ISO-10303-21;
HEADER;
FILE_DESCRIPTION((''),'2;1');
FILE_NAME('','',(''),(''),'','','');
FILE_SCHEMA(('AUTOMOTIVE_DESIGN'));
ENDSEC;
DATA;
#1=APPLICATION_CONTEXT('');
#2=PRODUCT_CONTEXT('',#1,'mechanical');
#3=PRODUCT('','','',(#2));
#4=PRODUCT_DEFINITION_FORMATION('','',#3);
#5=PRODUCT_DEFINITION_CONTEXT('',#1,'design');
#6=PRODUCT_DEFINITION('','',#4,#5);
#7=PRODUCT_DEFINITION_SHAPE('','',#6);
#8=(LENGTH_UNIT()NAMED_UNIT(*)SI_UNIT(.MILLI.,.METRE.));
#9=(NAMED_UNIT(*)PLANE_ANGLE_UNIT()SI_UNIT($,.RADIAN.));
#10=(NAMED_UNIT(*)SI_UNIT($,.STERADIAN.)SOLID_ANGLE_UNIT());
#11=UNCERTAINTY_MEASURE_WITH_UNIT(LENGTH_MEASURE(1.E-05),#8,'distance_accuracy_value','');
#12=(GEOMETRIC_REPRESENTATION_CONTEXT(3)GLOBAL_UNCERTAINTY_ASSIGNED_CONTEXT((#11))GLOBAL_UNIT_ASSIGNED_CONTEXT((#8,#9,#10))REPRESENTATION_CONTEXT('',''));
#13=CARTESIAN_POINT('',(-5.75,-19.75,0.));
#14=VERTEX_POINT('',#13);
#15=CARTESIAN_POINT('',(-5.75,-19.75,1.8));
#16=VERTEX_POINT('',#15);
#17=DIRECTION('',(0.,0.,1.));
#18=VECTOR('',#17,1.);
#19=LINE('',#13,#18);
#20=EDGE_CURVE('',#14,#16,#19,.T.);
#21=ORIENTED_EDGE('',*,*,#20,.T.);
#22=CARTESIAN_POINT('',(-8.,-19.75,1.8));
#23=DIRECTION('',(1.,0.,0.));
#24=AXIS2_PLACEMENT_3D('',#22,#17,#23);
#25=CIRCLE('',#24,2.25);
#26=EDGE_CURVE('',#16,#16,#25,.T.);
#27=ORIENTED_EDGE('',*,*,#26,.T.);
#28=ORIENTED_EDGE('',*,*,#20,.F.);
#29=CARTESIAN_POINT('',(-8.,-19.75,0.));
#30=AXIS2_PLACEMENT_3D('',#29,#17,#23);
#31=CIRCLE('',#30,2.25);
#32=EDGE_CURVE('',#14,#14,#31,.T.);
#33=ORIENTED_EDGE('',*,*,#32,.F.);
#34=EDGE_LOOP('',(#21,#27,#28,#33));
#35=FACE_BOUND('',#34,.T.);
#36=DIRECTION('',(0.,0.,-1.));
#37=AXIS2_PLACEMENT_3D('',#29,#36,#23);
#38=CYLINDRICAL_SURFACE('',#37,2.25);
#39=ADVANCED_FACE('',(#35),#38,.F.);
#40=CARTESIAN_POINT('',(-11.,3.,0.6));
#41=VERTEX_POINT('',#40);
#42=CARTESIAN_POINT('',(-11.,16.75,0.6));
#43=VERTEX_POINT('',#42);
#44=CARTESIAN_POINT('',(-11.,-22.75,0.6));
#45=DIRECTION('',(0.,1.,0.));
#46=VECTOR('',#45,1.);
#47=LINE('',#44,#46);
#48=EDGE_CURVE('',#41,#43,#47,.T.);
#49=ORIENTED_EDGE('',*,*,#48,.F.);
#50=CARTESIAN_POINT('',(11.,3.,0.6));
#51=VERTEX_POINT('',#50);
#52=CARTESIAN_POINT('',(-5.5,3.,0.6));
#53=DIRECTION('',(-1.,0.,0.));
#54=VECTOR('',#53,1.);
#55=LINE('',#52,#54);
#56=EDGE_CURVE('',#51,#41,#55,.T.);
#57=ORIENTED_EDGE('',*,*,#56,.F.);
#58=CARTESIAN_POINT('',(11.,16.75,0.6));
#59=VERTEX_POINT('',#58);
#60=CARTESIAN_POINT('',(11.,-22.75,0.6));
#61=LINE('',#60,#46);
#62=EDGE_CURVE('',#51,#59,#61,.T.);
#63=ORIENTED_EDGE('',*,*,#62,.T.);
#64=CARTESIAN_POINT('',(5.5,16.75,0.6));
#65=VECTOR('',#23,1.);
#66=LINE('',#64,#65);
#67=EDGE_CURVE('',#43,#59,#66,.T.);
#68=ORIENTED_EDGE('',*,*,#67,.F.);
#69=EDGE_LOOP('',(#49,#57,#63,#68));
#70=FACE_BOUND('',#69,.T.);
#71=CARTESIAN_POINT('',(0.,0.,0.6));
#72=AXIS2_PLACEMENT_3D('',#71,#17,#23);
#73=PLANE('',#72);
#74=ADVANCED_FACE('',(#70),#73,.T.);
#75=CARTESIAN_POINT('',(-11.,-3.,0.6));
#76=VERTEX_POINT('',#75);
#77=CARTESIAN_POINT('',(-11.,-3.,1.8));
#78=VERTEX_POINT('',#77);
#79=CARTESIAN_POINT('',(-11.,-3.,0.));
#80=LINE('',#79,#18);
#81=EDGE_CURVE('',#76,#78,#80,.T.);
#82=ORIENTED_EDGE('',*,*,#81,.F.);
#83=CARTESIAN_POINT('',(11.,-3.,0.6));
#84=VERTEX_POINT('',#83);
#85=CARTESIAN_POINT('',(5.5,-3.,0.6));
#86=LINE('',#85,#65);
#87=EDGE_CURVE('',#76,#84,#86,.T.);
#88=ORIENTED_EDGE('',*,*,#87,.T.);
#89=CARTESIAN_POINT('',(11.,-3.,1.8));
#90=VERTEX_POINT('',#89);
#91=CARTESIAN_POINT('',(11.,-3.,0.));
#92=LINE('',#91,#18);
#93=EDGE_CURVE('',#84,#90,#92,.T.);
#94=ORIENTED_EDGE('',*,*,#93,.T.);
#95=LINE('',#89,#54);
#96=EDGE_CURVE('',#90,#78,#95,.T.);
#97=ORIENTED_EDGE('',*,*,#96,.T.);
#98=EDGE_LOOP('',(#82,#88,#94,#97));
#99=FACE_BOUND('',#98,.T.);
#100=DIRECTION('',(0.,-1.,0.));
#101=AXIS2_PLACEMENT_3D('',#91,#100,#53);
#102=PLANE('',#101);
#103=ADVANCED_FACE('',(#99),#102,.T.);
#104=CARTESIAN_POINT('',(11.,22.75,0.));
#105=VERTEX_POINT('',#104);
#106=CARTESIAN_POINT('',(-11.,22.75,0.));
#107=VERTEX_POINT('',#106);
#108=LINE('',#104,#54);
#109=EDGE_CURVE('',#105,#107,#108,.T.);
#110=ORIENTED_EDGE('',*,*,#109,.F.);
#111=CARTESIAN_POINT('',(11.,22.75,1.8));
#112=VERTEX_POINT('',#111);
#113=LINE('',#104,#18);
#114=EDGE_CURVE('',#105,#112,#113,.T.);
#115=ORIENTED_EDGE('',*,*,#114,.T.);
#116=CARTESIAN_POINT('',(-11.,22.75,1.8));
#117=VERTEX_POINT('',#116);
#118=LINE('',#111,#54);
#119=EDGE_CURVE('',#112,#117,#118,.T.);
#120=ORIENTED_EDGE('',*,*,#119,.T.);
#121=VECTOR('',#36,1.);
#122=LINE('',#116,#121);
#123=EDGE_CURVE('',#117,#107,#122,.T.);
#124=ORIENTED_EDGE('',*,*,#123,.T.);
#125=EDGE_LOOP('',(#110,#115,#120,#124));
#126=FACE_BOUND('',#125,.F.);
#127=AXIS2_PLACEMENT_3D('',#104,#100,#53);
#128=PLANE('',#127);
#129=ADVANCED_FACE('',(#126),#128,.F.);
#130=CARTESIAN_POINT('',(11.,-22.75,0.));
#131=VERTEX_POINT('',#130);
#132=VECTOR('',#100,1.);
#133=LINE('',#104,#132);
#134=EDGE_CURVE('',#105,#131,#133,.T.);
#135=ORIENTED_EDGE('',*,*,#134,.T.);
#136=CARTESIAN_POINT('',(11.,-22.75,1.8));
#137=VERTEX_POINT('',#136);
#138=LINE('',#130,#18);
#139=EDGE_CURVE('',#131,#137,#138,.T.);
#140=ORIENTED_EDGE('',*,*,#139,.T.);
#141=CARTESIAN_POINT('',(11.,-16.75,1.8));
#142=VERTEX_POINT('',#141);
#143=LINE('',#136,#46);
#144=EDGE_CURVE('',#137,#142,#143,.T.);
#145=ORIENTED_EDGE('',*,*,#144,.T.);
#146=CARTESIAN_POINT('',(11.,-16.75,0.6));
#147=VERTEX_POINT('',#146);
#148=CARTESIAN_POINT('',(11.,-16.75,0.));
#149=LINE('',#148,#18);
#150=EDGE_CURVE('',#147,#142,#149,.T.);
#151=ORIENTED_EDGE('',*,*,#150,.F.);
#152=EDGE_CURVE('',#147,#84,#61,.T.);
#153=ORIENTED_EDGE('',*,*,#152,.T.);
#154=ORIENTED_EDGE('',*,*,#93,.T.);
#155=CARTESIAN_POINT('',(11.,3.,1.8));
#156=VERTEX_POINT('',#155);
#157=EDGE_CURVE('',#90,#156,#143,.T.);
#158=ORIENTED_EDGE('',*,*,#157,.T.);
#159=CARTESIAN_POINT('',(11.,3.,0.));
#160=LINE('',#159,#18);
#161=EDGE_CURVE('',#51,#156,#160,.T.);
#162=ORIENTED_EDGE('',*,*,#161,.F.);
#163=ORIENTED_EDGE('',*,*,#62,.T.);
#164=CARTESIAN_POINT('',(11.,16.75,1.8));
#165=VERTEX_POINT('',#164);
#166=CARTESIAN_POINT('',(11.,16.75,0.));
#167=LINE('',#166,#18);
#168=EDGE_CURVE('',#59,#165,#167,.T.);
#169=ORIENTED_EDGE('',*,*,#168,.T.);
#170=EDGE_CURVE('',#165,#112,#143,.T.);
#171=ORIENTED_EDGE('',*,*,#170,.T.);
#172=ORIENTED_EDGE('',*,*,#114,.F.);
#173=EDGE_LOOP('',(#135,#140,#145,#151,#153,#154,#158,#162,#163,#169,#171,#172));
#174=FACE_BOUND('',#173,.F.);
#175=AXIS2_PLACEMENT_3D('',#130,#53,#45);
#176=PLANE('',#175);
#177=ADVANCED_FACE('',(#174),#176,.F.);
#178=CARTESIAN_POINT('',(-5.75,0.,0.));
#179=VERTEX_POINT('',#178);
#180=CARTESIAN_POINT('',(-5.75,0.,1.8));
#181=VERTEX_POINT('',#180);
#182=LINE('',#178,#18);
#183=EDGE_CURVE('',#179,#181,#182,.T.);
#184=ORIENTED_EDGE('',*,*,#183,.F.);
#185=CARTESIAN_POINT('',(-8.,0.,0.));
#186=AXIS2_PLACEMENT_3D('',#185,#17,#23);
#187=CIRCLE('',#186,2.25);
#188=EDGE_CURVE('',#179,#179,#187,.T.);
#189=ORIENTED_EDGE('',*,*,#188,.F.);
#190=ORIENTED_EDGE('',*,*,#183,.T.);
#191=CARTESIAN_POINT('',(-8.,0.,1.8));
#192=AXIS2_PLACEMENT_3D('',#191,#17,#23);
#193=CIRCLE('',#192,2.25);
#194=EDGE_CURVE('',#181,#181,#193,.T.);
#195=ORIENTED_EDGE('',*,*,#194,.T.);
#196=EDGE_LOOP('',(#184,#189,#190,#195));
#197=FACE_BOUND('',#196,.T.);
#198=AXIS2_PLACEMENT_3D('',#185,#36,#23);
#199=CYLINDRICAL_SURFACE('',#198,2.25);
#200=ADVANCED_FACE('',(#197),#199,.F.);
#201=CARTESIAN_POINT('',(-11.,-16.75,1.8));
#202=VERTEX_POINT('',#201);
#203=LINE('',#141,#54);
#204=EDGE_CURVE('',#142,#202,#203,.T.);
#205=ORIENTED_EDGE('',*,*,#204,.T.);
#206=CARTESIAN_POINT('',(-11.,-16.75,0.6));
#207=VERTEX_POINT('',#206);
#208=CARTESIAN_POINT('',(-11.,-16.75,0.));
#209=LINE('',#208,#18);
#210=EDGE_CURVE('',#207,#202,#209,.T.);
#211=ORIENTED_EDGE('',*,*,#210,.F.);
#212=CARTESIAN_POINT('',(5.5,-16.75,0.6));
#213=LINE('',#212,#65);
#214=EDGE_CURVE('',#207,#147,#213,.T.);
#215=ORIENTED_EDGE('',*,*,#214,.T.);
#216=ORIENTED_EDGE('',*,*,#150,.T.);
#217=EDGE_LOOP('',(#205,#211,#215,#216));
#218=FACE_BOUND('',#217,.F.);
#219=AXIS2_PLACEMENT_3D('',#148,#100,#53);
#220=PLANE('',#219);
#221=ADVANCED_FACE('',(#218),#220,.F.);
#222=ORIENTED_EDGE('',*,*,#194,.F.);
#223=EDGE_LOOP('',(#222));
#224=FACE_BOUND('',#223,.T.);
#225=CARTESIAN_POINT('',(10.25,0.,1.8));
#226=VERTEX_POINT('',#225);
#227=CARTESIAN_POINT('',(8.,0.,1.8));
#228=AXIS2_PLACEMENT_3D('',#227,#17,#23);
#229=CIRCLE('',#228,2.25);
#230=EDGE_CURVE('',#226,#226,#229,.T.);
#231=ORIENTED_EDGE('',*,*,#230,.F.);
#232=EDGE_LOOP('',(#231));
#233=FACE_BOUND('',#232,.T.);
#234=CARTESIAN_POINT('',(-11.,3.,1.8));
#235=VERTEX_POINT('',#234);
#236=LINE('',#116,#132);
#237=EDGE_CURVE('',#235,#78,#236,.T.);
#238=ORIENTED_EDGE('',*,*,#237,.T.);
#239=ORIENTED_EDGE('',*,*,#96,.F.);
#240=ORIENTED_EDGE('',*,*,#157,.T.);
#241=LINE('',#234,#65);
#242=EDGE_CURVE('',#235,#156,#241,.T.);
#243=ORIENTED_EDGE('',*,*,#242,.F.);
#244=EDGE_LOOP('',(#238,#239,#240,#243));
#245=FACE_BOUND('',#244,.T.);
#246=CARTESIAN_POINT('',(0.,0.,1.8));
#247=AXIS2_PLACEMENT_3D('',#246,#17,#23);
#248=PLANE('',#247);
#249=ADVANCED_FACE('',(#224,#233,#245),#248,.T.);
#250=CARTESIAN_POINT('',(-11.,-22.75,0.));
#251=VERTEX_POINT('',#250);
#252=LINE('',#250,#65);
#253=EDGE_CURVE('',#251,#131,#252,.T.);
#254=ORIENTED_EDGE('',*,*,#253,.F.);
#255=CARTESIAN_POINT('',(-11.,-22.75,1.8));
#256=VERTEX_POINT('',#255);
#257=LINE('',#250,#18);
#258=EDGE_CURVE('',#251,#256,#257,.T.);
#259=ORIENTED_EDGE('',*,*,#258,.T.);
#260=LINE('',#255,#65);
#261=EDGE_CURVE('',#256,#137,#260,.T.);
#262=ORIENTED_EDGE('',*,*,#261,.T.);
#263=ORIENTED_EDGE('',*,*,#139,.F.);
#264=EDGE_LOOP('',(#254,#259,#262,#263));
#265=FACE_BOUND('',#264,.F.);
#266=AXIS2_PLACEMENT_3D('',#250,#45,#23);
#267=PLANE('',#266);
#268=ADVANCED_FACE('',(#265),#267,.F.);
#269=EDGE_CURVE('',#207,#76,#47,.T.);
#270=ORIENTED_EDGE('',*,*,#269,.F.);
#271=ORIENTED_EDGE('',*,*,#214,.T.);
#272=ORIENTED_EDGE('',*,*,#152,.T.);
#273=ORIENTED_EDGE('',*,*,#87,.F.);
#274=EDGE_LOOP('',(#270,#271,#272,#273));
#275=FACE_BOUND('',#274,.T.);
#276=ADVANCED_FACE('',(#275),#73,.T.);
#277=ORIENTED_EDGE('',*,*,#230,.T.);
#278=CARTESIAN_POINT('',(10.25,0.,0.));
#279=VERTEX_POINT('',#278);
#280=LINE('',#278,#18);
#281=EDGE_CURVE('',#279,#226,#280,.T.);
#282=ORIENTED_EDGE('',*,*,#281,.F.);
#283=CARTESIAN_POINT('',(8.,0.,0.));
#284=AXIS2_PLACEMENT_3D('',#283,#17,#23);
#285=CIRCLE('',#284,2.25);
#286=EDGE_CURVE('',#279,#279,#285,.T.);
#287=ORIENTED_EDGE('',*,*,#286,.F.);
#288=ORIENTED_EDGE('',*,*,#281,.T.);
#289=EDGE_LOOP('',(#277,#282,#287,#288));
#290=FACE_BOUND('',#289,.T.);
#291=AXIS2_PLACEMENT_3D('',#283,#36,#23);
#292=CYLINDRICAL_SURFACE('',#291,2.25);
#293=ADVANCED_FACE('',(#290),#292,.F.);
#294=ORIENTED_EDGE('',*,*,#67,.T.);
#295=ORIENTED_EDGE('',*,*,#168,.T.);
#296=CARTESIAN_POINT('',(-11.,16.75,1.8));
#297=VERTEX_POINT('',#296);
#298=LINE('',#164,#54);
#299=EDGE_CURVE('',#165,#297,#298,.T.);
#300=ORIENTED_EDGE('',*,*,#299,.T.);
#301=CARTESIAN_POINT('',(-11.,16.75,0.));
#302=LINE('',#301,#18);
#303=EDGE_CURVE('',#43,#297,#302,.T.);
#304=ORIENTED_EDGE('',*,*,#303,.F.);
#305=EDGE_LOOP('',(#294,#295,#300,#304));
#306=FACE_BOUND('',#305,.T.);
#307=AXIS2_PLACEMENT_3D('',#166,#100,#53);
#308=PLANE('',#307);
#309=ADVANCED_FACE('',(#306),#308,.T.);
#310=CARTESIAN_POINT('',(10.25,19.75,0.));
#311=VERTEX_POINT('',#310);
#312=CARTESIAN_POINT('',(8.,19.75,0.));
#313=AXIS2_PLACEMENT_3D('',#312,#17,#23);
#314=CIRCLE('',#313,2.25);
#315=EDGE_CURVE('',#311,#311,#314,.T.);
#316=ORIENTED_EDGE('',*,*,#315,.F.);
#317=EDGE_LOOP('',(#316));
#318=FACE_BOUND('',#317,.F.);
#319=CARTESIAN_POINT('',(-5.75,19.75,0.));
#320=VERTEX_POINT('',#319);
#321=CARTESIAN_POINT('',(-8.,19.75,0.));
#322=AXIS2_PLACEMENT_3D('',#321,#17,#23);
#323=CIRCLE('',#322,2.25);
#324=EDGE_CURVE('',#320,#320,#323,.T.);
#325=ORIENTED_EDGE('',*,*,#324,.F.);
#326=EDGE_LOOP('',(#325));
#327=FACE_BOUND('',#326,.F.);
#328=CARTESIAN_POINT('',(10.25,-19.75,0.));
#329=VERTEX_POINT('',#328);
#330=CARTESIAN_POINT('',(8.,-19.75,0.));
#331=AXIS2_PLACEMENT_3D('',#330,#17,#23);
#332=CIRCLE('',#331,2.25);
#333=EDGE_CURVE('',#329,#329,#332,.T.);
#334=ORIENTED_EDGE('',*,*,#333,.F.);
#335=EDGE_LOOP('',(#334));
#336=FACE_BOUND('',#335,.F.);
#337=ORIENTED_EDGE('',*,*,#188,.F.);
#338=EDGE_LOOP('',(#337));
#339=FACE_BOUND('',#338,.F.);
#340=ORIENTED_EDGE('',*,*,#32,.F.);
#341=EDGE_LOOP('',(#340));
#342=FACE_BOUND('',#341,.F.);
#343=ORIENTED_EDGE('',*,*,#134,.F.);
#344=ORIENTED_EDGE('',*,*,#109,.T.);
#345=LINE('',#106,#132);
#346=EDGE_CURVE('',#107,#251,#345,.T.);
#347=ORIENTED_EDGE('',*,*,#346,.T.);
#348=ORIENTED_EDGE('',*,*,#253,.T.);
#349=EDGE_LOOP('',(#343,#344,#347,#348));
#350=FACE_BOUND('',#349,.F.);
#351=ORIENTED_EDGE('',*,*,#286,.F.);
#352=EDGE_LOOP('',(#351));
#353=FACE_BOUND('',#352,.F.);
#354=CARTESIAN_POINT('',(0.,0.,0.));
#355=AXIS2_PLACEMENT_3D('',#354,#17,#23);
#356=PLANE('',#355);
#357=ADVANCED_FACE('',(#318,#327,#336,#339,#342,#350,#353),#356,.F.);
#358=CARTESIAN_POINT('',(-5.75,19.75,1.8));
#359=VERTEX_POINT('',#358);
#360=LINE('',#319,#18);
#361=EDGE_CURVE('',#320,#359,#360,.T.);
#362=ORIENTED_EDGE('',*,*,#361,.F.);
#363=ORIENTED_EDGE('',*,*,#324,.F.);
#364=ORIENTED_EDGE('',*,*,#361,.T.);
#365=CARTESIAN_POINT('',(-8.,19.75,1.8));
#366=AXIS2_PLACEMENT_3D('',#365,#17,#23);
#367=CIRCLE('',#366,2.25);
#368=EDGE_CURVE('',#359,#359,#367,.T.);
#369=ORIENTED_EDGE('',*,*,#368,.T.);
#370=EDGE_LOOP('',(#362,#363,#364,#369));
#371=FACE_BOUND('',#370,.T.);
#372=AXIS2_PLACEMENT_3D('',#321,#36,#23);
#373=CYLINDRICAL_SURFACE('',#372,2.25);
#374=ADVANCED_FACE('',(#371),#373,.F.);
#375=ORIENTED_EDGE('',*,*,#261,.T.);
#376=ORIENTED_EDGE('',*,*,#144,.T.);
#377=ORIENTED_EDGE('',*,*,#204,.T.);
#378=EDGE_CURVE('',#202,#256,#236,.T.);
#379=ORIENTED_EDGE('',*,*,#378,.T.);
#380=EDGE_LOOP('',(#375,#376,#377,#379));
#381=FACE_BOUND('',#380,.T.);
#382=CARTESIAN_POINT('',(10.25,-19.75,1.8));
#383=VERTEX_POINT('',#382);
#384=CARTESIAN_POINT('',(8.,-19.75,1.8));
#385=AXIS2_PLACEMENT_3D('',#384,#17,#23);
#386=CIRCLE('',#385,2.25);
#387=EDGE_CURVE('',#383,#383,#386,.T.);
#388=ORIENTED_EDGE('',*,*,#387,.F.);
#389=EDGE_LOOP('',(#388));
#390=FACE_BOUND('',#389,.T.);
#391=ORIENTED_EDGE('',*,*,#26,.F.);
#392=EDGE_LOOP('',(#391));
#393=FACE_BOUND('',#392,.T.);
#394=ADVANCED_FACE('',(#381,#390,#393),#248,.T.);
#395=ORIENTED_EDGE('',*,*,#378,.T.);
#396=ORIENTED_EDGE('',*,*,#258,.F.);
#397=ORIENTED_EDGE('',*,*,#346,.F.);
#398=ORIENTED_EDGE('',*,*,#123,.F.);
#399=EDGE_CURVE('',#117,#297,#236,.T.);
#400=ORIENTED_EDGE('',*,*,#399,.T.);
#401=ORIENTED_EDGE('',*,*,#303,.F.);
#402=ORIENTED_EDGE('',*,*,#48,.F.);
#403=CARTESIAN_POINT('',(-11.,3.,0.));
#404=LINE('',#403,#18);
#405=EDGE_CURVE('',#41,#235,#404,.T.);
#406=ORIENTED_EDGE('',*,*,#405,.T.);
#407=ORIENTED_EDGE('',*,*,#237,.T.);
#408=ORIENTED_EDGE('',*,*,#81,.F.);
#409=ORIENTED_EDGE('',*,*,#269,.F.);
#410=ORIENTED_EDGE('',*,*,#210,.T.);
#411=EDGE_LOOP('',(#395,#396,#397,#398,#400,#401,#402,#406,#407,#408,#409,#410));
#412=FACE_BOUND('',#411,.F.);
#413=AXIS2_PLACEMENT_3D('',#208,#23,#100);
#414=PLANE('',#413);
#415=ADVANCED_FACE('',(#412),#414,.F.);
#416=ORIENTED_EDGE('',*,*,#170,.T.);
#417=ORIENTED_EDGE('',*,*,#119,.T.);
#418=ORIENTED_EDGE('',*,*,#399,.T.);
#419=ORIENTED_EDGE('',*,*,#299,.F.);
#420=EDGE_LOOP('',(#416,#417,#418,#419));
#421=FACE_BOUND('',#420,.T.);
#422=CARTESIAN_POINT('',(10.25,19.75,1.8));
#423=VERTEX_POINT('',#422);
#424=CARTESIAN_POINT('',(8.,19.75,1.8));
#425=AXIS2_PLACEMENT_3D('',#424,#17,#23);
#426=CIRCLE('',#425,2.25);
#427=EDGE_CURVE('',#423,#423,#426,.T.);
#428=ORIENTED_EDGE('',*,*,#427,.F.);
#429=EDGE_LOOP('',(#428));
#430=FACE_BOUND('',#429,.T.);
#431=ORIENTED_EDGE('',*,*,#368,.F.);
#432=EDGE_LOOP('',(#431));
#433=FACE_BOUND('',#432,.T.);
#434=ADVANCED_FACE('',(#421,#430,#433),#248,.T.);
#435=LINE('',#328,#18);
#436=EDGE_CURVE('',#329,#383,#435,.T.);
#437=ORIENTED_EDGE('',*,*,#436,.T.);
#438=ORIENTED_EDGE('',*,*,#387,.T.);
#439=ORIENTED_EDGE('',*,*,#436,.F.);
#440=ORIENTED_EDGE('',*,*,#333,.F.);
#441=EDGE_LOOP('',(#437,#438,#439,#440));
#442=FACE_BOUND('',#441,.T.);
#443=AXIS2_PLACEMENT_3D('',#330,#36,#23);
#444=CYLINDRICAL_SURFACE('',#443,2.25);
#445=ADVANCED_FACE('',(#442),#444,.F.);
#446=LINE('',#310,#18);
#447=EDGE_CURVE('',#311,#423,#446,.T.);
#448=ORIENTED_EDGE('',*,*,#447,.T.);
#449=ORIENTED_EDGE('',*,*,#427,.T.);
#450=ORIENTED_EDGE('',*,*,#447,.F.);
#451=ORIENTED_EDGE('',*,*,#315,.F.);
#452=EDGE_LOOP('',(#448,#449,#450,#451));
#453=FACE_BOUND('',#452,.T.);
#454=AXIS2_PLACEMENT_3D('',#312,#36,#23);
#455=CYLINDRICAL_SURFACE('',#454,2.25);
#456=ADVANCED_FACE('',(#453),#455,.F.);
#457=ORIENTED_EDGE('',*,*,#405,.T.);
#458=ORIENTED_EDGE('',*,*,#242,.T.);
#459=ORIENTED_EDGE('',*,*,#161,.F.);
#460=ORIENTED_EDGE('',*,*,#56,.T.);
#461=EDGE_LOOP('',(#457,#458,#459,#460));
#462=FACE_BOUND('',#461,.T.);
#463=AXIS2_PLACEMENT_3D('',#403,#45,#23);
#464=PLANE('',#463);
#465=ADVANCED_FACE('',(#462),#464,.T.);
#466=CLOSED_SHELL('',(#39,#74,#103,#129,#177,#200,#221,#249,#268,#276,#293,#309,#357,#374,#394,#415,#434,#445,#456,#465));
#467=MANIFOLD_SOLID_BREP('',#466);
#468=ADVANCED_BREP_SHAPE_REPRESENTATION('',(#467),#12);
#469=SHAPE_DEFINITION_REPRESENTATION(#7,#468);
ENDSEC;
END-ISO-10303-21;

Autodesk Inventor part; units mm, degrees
ref_plane "YZ Plane" through (0, 0, 0) normal (1, 0, 0) x (0, 1, 0)
ref_plane "XZ Plane" through (0, 0, 0) normal (0, 1, 0) x (-1, 0, 0)
ref_plane "XY Plane" through (0, 0, 0) normal (0, 0, 1) x (1, 0, 0)
sketch "Sketch1" plane through (0, 0, 0) normal (0, 0, 1) x (1, 0, 0)
  line L0 (-11, -22.75) -> (11, -22.75)
  line L1 (11, -22.75) -> (11, 22.75)
  line L2 (11, 22.75) -> (-11, 22.75)
  line L3 (-11, 22.75) -> (-11, -22.75)
  circle A0 centre (-8, 0) radius 2.25
  line L4 (-5, 22.75) -> (-5, -22.75) construction
  line L5 (5, 22.75) -> (5, -22.75) construction
  line L6 (0, 22.75) -> (0, -22.75) construction
  circle A1 centre (-8, 19.75) radius 2.25
  circle A2 centre (-8, -19.75) radius 2.25
  circle A3 centre (8, -19.75) radius 2.25
  circle A4 centre (8, 0) radius 2.25
  circle A5 centre (8, 19.75) radius 2.25
  line L7 (-11, 0) -> (11, 0) construction
  line L8 (-11, 22.75) -> (11, 22.75)
  line L9 (11, 22.75) -> (11, 16.75)
  line L10 (11, 16.75) -> (-11, 16.75)
  line L11 (-11, 16.75) -> (-11, 22.75)
  line L12 (-11, 3) -> (11, 3)
  line L13 (11, 3) -> (11, -3)
  line L14 (11, -3) -> (-11, -3)
  line L15 (-11, -3) -> (-11, 3)
  line L16 (-11, -22.75) -> (11, -22.75)
  line L17 (11, -22.75) -> (11, -16.75)
  line L18 (11, -16.75) -> (-11, -16.75)
  line L19 (-11, -16.75) -> (-11, -22.75)
  point P0 (0, 0)
  dimension "d0" = 4.5
  dimension "d1" = 3
  dimension "d2" = 3
  dimension "d3" = 10
  dimension "d5" = 4.5
  dimension "d6" = 3
  dimension "d7" = 3
  dimension "d8" = 4.5
  dimension "d9" = 3
  dimension "d10" = 3
  dimension "d11" = 3
  dimension "d14" = 22
  dimension "d15" = 3
  dimension "d16" = 3
  dimension "d17" = 3
  dimension "d18" = 3
extrude "Extrusion1" add sketch "Sketch1" along normal blind 0.6
extrude "Extrusion2" add sketch "Sketch1" along normal blind 1.8 contours L3 L18 L1 L0 | L3 L12 L1 L14 | L3 L2 L1 L10
properties part number "FoldLink" material "Rubber, Silicone"
